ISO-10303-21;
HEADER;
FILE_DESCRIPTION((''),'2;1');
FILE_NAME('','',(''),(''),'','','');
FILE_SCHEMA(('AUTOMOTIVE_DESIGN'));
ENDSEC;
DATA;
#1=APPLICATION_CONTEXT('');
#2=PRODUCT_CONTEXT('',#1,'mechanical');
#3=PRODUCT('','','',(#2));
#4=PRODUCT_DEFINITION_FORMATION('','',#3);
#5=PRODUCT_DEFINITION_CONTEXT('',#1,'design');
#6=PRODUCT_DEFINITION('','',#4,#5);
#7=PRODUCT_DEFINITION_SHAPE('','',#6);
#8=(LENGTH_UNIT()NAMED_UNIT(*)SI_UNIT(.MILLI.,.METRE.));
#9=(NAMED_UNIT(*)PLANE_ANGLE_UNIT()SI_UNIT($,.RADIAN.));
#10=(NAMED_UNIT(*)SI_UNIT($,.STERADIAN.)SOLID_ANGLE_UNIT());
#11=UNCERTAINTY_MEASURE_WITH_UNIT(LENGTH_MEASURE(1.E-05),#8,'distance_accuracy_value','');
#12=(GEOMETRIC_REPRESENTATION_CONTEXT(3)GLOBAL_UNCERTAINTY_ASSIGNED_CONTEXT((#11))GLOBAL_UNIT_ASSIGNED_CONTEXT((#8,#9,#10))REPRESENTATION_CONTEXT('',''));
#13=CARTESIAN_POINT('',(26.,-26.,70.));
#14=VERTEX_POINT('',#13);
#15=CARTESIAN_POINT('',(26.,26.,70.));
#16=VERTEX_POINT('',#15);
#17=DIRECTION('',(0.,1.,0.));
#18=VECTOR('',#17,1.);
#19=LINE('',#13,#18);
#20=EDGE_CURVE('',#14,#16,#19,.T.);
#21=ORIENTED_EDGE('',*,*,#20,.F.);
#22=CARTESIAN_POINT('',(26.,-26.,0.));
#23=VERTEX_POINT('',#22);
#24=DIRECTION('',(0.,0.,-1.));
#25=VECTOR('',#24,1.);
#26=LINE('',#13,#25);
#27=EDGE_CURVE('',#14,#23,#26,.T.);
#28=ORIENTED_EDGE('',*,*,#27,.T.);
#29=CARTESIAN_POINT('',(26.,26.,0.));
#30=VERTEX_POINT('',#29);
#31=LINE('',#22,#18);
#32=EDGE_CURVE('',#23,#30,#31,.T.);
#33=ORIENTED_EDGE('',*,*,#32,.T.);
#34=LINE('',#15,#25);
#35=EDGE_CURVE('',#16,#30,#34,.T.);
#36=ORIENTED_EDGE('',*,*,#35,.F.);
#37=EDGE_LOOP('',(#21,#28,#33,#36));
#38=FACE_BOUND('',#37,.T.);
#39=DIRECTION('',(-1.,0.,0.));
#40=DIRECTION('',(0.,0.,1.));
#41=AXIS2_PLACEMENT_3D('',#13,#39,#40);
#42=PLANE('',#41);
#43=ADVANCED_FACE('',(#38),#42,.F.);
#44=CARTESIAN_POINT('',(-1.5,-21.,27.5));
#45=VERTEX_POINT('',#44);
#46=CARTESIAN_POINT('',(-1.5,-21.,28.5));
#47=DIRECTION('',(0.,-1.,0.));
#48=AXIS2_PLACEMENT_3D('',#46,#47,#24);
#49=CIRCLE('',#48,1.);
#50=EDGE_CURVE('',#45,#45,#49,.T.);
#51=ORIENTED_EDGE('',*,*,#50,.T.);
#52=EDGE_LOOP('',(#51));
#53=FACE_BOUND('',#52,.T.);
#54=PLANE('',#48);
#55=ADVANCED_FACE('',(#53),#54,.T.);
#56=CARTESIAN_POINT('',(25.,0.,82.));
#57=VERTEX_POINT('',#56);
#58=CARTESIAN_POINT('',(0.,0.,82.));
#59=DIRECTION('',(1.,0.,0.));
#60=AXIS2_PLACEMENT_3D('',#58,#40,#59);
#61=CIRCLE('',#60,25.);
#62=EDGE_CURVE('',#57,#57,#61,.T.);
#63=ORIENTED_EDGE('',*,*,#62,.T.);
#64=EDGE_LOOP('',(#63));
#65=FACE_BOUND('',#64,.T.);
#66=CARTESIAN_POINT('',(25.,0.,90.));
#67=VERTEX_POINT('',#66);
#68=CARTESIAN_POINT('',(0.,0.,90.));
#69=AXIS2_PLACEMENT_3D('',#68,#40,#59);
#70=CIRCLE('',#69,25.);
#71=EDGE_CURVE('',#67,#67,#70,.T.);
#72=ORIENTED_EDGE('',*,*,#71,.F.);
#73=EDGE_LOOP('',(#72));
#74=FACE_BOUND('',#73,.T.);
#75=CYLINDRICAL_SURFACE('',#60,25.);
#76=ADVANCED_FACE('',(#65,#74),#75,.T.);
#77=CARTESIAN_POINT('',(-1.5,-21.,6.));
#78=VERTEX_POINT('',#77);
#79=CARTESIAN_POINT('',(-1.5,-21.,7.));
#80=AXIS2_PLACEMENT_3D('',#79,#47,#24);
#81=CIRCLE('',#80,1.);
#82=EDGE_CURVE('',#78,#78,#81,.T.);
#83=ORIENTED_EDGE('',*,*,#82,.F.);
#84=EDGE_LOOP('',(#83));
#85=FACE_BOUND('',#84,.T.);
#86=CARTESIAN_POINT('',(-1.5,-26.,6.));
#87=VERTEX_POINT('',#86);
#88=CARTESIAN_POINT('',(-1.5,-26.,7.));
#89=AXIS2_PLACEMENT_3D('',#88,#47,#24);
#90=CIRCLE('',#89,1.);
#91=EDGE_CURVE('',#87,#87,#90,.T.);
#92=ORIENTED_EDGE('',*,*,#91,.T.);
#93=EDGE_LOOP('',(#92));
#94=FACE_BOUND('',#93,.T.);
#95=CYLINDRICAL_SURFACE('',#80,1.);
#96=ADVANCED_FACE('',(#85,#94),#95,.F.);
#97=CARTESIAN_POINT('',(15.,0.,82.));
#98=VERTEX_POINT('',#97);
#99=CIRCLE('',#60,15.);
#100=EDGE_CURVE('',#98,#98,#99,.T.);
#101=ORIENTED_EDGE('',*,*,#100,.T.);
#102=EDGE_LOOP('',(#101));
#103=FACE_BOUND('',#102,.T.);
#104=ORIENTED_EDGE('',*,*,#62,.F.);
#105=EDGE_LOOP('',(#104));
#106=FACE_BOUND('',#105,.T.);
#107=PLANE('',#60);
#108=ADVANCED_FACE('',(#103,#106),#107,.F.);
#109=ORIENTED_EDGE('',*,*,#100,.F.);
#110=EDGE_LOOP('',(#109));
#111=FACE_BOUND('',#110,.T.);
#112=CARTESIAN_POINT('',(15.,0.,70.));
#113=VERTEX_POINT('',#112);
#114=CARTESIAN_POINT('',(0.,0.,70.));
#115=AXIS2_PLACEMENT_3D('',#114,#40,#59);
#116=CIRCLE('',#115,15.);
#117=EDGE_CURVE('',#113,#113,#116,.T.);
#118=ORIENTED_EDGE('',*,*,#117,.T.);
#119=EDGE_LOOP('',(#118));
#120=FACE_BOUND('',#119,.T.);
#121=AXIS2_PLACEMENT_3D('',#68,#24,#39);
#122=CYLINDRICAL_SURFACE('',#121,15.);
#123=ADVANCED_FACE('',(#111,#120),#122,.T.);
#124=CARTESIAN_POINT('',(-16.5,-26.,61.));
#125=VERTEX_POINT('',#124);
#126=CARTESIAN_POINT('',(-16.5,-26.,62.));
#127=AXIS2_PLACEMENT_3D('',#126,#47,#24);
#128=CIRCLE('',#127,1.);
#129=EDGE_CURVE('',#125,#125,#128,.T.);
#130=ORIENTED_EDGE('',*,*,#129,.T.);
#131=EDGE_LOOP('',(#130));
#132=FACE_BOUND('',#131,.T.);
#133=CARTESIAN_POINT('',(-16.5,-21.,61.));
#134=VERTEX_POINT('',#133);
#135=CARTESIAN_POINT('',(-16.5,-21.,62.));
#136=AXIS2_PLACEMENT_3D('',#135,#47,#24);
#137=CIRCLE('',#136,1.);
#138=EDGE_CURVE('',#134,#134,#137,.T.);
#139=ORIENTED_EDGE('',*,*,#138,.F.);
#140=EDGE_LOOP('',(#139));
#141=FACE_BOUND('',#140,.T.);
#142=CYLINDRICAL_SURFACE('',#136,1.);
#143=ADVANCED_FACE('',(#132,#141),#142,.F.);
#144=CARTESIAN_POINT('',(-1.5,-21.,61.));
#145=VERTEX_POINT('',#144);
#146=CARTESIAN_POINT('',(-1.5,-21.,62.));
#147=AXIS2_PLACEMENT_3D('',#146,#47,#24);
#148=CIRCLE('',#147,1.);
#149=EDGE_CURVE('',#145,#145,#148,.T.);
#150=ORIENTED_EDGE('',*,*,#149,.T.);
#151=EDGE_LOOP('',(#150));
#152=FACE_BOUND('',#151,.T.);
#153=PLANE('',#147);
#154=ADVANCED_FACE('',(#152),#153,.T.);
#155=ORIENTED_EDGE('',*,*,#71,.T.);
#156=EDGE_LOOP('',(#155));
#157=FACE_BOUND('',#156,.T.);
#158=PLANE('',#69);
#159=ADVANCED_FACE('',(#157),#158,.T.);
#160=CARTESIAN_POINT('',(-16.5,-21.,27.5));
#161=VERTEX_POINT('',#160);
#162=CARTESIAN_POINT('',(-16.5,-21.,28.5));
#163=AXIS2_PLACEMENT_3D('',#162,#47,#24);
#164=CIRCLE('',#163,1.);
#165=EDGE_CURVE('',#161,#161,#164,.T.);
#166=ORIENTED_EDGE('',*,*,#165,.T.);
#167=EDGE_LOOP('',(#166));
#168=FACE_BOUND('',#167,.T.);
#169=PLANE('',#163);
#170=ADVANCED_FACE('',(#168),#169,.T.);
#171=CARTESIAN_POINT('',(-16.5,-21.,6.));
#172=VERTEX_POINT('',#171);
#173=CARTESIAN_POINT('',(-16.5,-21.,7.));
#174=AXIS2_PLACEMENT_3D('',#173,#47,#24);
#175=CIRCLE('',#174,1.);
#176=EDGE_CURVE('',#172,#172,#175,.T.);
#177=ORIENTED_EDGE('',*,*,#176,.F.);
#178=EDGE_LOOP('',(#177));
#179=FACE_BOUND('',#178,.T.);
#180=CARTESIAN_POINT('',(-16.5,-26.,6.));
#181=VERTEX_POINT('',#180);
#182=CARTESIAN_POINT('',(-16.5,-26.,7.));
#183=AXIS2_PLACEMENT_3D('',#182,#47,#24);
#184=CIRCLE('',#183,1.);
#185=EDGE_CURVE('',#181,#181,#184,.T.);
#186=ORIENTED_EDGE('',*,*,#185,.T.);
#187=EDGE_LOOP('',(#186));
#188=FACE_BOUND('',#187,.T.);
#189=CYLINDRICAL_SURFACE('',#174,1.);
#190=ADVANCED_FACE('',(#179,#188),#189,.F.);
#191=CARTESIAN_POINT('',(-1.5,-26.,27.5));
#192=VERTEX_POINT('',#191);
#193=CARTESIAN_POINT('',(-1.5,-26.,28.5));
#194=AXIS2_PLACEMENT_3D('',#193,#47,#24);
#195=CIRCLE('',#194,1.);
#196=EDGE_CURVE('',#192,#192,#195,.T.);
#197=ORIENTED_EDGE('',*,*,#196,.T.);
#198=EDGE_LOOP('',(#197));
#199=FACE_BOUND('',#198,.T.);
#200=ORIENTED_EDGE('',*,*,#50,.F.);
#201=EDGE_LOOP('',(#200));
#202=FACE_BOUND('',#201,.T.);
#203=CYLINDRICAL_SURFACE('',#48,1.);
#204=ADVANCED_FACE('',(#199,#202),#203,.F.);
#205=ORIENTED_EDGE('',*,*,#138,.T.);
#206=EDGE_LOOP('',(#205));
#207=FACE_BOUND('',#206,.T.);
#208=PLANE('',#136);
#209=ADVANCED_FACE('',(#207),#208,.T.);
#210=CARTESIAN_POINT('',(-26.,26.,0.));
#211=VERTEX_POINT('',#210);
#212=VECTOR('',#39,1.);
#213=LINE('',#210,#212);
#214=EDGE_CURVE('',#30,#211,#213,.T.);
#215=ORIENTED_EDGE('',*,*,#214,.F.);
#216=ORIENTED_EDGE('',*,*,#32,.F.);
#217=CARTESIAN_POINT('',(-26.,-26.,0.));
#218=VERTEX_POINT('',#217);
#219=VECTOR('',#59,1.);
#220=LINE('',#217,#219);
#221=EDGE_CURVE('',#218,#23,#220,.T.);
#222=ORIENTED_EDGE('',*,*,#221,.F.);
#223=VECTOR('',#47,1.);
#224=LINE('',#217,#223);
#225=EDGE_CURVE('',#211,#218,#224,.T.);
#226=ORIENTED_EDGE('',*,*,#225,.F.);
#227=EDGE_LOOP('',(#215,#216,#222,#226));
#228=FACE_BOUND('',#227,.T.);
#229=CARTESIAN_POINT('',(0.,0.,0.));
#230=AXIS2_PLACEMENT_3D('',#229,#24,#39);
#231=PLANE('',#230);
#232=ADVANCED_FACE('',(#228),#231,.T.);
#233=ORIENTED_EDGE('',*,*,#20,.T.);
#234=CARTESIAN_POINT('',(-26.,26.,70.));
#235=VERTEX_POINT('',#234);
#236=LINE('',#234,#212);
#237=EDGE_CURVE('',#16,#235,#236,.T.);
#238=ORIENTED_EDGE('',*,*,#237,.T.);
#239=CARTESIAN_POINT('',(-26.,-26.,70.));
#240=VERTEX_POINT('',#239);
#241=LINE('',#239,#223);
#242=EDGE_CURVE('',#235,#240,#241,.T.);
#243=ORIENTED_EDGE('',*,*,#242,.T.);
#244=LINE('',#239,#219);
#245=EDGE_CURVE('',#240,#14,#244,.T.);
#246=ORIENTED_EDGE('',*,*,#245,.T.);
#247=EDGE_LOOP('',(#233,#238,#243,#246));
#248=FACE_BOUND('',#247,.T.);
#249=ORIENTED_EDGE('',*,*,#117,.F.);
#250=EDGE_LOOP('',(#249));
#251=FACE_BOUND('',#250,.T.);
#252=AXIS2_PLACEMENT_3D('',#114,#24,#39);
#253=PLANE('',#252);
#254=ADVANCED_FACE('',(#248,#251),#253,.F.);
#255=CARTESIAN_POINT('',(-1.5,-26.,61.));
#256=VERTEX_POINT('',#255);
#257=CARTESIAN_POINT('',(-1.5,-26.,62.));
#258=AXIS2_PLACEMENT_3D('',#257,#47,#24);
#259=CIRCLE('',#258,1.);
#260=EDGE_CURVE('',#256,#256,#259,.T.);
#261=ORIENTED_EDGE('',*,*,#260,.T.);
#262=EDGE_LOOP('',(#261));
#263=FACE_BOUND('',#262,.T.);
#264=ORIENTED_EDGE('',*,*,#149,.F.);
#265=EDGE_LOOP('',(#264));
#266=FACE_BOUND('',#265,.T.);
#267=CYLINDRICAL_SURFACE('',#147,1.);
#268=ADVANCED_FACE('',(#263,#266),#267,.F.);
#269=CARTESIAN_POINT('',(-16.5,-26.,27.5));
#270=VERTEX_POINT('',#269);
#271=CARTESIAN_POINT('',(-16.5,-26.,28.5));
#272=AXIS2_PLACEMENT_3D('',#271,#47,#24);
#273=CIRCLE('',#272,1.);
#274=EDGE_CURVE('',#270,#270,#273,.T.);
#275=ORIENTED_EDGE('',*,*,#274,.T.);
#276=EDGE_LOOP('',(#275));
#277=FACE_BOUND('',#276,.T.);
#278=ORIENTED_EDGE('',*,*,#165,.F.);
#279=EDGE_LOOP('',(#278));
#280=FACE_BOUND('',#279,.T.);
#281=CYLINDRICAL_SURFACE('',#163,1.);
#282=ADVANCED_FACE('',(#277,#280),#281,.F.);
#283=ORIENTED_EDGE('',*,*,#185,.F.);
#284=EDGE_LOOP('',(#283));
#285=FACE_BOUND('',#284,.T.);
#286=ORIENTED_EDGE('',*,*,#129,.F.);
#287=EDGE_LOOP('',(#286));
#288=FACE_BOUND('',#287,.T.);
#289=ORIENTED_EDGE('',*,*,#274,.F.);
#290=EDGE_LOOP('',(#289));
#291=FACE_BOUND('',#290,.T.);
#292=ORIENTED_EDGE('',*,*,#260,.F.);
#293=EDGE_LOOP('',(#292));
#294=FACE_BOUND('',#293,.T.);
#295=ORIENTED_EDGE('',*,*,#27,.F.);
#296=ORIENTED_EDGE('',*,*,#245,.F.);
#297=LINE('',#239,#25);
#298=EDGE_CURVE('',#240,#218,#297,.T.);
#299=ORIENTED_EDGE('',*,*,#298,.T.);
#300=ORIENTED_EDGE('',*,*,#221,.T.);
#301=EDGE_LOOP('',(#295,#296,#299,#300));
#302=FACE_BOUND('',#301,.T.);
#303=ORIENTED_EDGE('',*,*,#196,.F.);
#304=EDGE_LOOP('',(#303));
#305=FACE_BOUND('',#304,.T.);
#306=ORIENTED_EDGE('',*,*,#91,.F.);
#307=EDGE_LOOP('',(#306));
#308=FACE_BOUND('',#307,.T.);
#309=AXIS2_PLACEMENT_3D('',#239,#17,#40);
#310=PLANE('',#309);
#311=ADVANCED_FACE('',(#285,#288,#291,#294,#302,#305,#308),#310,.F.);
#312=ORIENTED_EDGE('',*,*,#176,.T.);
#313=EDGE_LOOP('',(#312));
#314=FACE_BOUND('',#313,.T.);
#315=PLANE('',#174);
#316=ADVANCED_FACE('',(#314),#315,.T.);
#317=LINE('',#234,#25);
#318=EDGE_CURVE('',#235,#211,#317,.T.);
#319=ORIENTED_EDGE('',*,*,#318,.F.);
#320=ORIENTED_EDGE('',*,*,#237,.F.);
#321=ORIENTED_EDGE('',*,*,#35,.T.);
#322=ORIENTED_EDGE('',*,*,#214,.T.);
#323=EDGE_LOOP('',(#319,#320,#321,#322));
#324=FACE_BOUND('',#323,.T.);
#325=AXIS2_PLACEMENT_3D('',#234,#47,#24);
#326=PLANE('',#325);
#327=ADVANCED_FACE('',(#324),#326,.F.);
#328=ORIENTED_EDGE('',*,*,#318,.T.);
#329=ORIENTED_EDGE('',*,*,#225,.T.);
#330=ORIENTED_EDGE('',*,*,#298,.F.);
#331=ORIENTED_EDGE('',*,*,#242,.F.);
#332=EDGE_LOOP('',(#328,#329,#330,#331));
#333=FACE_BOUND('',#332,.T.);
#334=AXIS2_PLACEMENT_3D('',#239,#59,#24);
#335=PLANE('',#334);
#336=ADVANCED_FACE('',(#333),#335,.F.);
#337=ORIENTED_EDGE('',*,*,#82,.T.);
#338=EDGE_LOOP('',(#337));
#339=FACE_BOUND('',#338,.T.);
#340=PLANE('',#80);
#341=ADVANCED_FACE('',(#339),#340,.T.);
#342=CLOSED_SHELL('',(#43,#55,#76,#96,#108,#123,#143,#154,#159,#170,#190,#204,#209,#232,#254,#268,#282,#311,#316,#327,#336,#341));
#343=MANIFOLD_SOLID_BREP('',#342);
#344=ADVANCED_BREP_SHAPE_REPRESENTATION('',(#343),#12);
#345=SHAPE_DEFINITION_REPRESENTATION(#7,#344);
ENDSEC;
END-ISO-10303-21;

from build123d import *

# Parameters (mm, degrees)
SKETCH2_W           = 52
SKETCH2_H           = 52
BOSS_EXTRUDE1_DEPTH = 70
SKETCH3_R           = 15
BOSS_EXTRUDE2_DEPTH = 20
SKETCH4_R           = 1
CUT_EXTRUDE1_DEPTH  = 5
SKETCH5_R           = 25
BOSS_EXTRUDE3_DEPTH = 8


with BuildPart() as part:
    # Sketch2 → Boss-Extrude1 (new body)
    with BuildSketch(Plane.XY):
        Rectangle(SKETCH2_W, SKETCH2_H)
    extrude(amount=BOSS_EXTRUDE1_DEPTH)

    # Sketch3 → Boss-Extrude2 (add)
    with BuildSketch(Plane.XY.offset(70)):
        Circle(SKETCH3_R)
    extrude(amount=BOSS_EXTRUDE2_DEPTH)

    # Sketch4 → Cut-Extrude1 (cut)
    with BuildSketch(Plane.XZ.offset(26)):
        with Locations((-16.5, 62)):
            Circle(SKETCH4_R)
        with Locations((-16.5, 28.5)):
            Circle(SKETCH4_R)
        with Locations((-1.5, 62)):
            Circle(SKETCH4_R)
        with Locations((-1.5, 28.5)):
            Circle(SKETCH4_R)
        with Locations((-1.5, 7)):
            Circle(SKETCH4_R)
        with Locations((-16.5, 7)):
            Circle(SKETCH4_R)
    extrude(amount=-CUT_EXTRUDE1_DEPTH, mode=Mode.SUBTRACT)

    # Sketch5 → Boss-Extrude3 (add)
    with BuildSketch(Plane.XY.offset(90)):
        Circle(SKETCH5_R)
    extrude(amount=-BOSS_EXTRUDE3_DEPTH)


solid = part.part
